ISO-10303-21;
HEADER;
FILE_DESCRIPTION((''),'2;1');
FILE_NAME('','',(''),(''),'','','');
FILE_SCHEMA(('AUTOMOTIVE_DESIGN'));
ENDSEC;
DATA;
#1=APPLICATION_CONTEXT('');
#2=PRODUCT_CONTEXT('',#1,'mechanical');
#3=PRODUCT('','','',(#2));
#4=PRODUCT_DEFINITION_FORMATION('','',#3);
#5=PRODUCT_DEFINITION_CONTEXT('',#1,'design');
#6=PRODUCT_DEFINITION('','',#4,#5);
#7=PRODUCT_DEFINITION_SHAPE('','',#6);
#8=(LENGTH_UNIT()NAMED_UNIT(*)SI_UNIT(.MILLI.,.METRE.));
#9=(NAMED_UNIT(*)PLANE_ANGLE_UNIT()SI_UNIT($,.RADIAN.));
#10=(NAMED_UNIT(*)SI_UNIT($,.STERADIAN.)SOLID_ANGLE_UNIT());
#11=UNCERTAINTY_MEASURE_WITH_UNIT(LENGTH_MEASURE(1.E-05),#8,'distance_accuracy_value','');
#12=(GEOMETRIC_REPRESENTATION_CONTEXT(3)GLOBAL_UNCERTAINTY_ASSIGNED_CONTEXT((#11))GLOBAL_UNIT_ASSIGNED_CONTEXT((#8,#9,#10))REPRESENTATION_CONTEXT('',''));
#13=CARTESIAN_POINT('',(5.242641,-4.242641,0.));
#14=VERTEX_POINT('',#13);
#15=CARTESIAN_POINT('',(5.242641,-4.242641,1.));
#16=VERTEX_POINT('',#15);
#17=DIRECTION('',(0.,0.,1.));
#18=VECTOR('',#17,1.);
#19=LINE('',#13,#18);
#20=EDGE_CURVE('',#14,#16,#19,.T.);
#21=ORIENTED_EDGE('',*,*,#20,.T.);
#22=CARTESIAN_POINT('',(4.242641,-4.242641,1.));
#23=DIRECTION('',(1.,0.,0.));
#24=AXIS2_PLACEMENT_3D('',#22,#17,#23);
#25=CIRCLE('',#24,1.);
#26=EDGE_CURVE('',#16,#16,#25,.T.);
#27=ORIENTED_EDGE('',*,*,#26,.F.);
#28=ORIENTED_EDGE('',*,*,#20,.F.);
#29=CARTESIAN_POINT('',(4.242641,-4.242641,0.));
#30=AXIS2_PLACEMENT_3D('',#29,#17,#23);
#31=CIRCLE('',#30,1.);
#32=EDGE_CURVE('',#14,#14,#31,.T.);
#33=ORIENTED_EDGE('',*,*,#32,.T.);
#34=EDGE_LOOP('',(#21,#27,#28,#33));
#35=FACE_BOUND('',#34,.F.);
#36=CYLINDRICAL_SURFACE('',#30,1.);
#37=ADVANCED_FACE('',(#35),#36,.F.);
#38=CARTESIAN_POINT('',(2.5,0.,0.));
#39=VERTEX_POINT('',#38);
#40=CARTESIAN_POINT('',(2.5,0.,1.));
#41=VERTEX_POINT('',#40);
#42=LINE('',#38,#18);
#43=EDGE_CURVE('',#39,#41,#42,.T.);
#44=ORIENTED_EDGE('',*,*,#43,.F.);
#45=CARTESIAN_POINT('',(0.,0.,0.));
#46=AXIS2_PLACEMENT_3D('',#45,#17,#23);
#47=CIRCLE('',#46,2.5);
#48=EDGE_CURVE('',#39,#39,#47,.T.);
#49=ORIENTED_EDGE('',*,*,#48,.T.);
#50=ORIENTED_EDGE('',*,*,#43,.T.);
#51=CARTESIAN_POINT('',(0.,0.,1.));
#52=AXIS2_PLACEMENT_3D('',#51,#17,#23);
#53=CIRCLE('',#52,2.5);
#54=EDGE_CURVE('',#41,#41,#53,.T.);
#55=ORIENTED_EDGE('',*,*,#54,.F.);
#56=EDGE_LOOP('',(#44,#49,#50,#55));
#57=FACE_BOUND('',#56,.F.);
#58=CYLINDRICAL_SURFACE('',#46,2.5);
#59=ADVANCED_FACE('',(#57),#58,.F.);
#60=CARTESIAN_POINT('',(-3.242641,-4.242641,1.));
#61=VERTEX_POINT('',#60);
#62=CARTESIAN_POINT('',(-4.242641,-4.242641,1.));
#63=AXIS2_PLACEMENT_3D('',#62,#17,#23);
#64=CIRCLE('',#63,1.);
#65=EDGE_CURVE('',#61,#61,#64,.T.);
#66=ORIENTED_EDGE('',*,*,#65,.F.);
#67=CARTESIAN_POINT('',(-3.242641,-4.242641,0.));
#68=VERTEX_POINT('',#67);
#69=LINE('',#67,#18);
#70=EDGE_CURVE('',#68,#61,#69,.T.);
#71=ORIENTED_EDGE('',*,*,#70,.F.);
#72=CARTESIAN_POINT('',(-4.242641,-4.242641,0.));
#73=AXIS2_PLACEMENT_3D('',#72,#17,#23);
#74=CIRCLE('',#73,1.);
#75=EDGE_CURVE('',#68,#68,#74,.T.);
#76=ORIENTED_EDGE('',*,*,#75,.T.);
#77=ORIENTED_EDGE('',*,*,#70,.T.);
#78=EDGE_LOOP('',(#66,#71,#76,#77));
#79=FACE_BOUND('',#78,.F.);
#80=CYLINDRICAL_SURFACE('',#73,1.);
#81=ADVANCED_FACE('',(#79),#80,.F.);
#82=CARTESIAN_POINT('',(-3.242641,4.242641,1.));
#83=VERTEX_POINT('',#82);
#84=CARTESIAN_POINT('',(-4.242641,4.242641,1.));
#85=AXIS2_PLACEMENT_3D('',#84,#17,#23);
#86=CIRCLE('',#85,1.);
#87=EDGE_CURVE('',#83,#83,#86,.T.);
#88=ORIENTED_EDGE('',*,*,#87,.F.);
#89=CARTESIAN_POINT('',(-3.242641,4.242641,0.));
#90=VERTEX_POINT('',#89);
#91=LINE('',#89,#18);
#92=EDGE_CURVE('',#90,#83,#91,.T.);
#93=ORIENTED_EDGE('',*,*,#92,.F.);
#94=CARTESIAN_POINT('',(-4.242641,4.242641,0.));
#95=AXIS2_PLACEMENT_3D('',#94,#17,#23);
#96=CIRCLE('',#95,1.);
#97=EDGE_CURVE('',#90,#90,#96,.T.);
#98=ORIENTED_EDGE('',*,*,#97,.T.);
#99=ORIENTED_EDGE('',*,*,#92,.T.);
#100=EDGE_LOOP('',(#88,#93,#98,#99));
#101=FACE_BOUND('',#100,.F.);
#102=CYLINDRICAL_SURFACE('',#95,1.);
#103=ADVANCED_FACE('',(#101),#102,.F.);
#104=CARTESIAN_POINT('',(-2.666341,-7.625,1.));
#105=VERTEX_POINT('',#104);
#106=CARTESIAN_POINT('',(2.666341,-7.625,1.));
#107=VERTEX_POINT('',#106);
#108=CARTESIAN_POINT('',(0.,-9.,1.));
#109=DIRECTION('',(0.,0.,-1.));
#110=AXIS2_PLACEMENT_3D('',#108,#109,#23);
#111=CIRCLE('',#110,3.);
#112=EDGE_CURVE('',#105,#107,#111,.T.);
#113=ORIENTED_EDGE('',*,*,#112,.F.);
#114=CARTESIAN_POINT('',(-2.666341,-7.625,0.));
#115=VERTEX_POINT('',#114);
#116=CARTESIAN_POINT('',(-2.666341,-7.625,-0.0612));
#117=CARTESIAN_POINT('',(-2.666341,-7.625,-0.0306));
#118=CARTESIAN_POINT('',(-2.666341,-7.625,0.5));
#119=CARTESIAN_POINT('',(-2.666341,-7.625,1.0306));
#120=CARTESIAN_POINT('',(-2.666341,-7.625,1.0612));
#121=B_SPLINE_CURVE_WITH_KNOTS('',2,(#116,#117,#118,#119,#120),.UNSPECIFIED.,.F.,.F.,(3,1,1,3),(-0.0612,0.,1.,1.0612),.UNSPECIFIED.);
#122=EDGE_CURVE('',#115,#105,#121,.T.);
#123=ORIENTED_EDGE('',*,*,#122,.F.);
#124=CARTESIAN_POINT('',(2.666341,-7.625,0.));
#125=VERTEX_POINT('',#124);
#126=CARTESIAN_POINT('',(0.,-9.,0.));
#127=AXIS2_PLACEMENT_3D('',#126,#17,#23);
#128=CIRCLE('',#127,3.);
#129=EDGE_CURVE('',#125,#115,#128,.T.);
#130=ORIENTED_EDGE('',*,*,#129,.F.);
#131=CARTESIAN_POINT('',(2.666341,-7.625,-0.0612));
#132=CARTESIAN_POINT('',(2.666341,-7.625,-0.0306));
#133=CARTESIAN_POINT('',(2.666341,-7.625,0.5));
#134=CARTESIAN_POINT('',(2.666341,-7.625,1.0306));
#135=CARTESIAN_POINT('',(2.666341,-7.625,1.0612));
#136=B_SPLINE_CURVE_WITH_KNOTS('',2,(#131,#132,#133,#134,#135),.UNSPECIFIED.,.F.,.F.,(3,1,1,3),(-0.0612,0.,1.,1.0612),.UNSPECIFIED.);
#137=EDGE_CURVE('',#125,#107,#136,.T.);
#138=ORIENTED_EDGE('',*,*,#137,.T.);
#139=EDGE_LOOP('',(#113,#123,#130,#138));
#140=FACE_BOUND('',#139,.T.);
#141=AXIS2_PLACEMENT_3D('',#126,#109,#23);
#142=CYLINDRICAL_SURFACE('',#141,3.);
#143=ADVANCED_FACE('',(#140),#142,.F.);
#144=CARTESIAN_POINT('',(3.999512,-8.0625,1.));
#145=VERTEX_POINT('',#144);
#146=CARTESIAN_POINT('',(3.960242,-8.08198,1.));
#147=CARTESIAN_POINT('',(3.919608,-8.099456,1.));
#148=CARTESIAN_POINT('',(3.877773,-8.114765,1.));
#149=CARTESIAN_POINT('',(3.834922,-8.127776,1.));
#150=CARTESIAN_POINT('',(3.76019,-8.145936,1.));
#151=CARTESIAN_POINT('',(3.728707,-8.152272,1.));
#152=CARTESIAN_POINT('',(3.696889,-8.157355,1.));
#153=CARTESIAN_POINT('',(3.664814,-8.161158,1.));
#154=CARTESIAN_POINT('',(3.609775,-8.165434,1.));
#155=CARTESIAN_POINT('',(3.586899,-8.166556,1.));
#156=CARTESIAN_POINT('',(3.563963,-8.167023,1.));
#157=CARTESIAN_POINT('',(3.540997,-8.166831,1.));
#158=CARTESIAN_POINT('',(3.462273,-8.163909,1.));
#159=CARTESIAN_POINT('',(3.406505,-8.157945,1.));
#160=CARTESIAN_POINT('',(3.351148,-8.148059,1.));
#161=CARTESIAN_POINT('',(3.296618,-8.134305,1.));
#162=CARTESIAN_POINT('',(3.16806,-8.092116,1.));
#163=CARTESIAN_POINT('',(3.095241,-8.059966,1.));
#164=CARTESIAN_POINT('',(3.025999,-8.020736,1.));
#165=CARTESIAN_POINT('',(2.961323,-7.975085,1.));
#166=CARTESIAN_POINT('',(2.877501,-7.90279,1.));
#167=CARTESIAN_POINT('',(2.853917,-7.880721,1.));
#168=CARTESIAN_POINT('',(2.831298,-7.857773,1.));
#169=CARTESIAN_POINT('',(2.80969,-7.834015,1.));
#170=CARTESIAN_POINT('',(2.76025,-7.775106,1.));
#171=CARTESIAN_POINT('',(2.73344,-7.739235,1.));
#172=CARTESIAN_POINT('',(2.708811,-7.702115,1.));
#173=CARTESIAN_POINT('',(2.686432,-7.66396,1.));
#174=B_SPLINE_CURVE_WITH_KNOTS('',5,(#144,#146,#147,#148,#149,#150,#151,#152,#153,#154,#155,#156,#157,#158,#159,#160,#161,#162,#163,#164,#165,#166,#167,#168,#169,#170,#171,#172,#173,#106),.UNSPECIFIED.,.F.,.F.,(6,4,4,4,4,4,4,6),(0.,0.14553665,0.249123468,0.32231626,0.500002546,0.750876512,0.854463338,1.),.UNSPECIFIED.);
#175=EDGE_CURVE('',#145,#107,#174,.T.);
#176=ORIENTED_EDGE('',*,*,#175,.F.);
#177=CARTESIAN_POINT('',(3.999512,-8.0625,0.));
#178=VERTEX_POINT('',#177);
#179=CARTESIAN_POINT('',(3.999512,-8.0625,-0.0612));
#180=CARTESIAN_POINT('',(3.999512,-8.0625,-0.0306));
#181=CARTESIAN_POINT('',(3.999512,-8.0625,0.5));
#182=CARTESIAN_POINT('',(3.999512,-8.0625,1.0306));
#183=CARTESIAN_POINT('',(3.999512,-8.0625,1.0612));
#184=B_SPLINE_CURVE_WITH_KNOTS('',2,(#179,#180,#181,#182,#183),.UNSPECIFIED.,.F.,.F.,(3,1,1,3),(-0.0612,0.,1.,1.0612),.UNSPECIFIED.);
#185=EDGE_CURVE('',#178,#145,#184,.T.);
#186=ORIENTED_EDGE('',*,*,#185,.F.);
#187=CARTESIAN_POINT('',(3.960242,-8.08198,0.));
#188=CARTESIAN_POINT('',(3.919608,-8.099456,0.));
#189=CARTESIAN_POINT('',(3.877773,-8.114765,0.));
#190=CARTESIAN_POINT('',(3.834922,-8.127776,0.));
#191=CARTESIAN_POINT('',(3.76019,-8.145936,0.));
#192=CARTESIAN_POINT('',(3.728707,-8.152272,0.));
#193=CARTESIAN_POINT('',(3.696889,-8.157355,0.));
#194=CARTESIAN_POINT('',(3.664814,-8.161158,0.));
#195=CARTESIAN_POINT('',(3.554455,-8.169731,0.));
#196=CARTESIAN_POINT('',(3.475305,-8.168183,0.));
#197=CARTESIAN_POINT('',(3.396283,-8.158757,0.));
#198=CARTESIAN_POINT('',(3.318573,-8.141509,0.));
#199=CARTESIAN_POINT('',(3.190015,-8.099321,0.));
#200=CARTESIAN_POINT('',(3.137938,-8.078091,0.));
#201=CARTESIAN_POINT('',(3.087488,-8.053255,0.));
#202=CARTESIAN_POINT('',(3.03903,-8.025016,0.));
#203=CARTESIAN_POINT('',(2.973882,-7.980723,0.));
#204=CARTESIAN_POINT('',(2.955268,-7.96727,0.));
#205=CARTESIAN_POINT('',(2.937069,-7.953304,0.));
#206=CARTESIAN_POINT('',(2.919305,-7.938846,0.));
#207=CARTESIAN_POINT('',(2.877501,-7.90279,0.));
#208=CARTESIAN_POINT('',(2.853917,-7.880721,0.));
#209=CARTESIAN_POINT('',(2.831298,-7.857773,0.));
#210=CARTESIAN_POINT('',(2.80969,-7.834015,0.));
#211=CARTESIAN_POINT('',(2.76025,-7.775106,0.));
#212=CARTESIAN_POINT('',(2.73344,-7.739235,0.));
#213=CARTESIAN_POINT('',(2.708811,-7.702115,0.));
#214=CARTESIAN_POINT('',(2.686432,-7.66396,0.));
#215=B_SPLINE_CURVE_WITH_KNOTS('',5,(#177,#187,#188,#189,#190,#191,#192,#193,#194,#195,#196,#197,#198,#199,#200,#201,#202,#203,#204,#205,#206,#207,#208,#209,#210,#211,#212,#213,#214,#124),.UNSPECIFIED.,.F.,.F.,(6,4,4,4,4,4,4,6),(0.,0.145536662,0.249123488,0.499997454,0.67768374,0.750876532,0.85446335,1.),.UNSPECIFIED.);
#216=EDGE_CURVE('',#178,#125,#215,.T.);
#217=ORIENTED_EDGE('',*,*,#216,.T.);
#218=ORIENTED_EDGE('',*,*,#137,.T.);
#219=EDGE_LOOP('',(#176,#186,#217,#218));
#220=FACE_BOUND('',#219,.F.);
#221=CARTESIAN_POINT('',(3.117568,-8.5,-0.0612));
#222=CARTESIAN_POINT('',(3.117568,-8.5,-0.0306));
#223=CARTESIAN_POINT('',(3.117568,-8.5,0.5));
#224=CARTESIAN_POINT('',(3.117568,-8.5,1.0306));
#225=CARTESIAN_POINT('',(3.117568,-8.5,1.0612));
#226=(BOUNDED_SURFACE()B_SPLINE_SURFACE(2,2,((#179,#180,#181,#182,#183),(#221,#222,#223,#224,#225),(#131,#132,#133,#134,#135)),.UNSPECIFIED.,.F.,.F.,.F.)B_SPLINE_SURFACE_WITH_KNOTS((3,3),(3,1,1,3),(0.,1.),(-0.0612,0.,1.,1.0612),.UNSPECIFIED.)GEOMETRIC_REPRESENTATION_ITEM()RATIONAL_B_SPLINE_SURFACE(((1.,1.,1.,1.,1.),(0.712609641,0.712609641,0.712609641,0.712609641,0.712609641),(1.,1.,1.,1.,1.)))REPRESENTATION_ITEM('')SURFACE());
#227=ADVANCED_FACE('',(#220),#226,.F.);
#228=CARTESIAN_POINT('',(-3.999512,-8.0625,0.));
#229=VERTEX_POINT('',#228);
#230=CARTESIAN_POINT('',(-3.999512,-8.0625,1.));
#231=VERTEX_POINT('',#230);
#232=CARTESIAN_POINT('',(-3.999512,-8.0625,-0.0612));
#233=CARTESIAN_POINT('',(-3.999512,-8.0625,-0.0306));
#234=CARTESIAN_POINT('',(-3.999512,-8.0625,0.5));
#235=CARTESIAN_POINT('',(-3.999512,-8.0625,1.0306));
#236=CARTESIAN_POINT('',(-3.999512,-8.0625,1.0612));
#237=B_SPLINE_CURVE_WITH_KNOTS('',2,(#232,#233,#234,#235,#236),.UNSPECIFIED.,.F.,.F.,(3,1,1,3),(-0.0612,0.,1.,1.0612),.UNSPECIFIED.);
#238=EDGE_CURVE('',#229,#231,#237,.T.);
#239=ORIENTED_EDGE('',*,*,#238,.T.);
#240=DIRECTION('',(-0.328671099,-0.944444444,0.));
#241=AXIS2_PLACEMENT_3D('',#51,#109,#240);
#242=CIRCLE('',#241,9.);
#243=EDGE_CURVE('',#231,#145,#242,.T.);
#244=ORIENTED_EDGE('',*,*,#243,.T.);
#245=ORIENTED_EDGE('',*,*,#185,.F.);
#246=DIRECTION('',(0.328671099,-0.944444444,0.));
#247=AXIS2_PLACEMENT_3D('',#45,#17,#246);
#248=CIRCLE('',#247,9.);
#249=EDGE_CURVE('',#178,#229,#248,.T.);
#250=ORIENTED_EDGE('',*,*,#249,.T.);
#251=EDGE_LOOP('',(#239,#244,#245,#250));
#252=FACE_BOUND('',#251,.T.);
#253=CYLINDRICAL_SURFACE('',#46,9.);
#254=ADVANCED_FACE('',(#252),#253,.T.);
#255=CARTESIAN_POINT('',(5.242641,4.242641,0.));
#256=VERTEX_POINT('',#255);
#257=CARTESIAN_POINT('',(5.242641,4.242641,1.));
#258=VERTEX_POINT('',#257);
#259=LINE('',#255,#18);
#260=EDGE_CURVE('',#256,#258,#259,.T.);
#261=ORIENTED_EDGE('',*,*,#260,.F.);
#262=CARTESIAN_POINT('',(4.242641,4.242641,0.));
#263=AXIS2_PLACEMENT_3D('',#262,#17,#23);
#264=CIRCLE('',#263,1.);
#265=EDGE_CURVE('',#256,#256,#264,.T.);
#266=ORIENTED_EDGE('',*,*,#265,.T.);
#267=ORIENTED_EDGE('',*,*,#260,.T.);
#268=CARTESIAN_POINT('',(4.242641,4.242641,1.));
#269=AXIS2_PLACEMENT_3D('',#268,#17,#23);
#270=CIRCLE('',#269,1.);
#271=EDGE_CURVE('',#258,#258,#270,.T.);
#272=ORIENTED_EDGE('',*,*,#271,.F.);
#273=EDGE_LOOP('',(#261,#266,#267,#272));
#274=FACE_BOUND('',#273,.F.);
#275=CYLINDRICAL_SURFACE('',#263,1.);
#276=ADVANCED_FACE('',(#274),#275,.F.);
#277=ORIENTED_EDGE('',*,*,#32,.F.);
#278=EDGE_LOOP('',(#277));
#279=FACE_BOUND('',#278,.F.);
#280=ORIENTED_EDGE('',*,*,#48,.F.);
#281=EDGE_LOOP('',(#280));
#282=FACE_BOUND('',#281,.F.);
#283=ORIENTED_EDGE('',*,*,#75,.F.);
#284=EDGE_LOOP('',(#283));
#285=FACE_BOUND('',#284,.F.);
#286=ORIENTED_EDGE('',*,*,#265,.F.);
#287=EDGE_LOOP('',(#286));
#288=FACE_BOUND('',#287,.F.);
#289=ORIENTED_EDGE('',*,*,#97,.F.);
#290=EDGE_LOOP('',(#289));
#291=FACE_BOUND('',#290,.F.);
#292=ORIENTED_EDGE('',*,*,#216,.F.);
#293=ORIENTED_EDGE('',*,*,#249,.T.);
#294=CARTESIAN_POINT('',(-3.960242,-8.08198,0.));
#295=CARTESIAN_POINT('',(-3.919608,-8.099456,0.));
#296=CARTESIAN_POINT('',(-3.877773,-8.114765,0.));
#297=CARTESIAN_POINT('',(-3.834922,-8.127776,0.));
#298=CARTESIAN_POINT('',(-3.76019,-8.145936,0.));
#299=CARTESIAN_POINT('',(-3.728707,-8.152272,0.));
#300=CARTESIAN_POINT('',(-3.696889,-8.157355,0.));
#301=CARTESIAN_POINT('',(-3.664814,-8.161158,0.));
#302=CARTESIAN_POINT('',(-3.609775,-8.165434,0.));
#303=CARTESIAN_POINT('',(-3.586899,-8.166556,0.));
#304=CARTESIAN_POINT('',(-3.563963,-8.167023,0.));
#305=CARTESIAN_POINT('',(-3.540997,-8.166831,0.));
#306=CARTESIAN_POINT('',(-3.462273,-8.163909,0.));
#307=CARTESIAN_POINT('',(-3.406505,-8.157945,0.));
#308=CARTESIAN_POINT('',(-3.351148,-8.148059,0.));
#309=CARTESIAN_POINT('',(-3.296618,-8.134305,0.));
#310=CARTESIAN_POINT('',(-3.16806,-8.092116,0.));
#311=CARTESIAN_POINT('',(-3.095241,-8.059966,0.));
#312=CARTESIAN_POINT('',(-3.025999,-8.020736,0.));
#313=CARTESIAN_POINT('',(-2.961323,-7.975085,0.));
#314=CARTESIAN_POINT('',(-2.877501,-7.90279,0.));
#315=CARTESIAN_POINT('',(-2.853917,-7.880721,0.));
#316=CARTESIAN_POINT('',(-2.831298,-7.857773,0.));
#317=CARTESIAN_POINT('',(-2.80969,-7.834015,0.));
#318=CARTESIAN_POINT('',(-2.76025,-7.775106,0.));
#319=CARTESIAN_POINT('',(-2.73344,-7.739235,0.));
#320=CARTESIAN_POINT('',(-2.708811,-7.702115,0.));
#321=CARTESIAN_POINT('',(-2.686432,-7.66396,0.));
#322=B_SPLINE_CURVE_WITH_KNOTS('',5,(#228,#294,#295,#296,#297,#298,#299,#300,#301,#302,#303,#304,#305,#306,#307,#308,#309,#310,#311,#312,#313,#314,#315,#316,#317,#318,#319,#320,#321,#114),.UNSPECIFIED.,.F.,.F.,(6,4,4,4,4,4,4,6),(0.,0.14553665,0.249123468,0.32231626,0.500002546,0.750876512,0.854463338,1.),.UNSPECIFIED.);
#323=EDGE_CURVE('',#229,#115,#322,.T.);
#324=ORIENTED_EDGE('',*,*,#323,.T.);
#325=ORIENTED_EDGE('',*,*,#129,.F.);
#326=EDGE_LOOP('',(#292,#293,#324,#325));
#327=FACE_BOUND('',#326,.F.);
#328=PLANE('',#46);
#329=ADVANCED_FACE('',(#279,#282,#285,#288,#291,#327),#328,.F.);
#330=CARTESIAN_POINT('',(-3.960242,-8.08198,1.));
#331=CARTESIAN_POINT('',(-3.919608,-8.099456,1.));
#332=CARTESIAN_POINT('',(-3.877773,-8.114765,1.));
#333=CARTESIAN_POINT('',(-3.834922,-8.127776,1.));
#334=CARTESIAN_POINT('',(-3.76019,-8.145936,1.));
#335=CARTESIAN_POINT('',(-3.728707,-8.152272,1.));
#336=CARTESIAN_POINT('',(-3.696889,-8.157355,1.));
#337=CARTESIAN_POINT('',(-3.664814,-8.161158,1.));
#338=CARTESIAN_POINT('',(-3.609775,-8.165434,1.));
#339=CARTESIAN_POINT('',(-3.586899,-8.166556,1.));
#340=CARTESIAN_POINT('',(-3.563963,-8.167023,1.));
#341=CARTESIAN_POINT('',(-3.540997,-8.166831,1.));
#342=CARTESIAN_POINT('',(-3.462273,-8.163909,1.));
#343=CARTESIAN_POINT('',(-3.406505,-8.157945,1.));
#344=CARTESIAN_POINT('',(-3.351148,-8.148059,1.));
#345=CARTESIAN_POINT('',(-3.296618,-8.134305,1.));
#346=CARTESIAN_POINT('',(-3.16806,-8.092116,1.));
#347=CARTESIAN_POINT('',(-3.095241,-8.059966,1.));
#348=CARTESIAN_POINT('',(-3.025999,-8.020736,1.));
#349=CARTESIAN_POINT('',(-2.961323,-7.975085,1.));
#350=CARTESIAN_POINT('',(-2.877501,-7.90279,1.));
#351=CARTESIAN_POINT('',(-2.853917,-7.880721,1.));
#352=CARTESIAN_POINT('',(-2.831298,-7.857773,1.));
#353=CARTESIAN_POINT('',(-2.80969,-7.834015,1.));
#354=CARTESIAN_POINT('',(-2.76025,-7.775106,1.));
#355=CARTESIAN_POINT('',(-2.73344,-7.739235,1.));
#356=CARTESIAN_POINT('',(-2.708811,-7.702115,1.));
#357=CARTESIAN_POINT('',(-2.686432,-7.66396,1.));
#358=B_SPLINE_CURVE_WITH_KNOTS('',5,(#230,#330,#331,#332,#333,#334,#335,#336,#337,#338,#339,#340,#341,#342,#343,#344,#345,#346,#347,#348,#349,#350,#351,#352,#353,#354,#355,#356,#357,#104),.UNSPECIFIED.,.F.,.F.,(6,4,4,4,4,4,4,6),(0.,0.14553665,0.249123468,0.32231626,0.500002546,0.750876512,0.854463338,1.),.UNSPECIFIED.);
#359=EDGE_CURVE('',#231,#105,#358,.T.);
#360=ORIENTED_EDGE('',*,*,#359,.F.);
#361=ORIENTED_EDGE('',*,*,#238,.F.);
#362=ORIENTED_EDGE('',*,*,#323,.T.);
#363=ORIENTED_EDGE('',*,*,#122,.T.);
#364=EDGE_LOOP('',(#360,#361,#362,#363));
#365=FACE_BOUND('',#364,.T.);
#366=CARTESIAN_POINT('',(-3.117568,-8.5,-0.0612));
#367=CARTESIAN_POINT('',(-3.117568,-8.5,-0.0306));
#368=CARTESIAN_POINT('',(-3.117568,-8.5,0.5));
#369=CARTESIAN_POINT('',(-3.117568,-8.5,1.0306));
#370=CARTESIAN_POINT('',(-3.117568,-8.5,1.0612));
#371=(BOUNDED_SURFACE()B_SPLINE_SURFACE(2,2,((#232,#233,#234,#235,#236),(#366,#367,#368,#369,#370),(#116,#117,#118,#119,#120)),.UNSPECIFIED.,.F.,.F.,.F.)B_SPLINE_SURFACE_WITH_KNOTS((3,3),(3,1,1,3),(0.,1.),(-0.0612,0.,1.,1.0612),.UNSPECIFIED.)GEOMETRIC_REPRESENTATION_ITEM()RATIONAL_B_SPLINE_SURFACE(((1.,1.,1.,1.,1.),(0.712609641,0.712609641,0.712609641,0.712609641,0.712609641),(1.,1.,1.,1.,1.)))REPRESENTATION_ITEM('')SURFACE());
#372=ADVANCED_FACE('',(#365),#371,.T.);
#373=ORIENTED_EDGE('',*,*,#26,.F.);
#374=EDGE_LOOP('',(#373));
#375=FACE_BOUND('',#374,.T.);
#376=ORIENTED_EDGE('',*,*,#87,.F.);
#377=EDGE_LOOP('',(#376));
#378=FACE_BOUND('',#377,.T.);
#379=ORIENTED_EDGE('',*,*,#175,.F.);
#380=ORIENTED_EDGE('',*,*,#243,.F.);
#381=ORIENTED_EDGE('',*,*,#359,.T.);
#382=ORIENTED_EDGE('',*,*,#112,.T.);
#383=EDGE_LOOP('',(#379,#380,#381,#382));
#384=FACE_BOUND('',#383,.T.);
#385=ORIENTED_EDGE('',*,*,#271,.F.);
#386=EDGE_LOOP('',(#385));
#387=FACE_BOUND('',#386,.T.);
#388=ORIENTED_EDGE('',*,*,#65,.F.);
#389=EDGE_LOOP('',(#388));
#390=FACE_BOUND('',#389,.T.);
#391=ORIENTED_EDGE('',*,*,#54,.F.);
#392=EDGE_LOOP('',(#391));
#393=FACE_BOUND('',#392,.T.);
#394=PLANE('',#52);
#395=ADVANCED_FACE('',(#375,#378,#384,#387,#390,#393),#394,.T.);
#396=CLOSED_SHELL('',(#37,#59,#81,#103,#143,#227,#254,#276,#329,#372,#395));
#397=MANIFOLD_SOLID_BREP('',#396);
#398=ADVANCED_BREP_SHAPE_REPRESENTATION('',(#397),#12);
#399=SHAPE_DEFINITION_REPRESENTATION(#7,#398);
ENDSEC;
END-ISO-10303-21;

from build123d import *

# Parameters (mm, degrees)
F0_R     = 9
F0_R_2   = 1
F0_R_3   = 2.5
F2_R     = 3
F4_DEPTH = 1.001
F5_R     = 1


with BuildPart() as f3:
    # F3: sweep along a path in F1
    with BuildLine(Plane.XZ) as f3_path:
        Line((0, 0), (0, 1))
    # F0 (on Top) → F3 (sweep)
    with BuildSketch(Plane.XY):
        Circle(F0_R)
        with Locations((-4.2426406871, -4.2426406871)):
            Circle(F0_R_2, mode=Mode.SUBTRACT)
        with Locations((4.2426406871, -4.2426406871)):
            Circle(F0_R_2, mode=Mode.SUBTRACT)
        with Locations((-4.2426406871, 4.2426406871)):
            Circle(F0_R_2, mode=Mode.SUBTRACT)
        Circle(F0_R_3, mode=Mode.SUBTRACT)
        with Locations((4.2426406871, 4.2426406871)):
            Circle(F0_R_2, mode=Mode.SUBTRACT)
    sweep(path=f3_path.line)

    # F2 (on Top) → F4 (cut, through all)
    with BuildSketch(Plane.XY):
        with Locations((0, -9)):
            Circle(F2_R)
    extrude(amount=F4_DEPTH, mode=Mode.SUBTRACT)

    # F5
    f5_edges = [f3.edges().sort_by_distance(p)[0] for p in [
        (-2.95804, -8.5, 0.5),
        (2.95804, -8.5, 0.5),
    ]]
    fillet(f5_edges, radius=F5_R)


solid = f3.part
